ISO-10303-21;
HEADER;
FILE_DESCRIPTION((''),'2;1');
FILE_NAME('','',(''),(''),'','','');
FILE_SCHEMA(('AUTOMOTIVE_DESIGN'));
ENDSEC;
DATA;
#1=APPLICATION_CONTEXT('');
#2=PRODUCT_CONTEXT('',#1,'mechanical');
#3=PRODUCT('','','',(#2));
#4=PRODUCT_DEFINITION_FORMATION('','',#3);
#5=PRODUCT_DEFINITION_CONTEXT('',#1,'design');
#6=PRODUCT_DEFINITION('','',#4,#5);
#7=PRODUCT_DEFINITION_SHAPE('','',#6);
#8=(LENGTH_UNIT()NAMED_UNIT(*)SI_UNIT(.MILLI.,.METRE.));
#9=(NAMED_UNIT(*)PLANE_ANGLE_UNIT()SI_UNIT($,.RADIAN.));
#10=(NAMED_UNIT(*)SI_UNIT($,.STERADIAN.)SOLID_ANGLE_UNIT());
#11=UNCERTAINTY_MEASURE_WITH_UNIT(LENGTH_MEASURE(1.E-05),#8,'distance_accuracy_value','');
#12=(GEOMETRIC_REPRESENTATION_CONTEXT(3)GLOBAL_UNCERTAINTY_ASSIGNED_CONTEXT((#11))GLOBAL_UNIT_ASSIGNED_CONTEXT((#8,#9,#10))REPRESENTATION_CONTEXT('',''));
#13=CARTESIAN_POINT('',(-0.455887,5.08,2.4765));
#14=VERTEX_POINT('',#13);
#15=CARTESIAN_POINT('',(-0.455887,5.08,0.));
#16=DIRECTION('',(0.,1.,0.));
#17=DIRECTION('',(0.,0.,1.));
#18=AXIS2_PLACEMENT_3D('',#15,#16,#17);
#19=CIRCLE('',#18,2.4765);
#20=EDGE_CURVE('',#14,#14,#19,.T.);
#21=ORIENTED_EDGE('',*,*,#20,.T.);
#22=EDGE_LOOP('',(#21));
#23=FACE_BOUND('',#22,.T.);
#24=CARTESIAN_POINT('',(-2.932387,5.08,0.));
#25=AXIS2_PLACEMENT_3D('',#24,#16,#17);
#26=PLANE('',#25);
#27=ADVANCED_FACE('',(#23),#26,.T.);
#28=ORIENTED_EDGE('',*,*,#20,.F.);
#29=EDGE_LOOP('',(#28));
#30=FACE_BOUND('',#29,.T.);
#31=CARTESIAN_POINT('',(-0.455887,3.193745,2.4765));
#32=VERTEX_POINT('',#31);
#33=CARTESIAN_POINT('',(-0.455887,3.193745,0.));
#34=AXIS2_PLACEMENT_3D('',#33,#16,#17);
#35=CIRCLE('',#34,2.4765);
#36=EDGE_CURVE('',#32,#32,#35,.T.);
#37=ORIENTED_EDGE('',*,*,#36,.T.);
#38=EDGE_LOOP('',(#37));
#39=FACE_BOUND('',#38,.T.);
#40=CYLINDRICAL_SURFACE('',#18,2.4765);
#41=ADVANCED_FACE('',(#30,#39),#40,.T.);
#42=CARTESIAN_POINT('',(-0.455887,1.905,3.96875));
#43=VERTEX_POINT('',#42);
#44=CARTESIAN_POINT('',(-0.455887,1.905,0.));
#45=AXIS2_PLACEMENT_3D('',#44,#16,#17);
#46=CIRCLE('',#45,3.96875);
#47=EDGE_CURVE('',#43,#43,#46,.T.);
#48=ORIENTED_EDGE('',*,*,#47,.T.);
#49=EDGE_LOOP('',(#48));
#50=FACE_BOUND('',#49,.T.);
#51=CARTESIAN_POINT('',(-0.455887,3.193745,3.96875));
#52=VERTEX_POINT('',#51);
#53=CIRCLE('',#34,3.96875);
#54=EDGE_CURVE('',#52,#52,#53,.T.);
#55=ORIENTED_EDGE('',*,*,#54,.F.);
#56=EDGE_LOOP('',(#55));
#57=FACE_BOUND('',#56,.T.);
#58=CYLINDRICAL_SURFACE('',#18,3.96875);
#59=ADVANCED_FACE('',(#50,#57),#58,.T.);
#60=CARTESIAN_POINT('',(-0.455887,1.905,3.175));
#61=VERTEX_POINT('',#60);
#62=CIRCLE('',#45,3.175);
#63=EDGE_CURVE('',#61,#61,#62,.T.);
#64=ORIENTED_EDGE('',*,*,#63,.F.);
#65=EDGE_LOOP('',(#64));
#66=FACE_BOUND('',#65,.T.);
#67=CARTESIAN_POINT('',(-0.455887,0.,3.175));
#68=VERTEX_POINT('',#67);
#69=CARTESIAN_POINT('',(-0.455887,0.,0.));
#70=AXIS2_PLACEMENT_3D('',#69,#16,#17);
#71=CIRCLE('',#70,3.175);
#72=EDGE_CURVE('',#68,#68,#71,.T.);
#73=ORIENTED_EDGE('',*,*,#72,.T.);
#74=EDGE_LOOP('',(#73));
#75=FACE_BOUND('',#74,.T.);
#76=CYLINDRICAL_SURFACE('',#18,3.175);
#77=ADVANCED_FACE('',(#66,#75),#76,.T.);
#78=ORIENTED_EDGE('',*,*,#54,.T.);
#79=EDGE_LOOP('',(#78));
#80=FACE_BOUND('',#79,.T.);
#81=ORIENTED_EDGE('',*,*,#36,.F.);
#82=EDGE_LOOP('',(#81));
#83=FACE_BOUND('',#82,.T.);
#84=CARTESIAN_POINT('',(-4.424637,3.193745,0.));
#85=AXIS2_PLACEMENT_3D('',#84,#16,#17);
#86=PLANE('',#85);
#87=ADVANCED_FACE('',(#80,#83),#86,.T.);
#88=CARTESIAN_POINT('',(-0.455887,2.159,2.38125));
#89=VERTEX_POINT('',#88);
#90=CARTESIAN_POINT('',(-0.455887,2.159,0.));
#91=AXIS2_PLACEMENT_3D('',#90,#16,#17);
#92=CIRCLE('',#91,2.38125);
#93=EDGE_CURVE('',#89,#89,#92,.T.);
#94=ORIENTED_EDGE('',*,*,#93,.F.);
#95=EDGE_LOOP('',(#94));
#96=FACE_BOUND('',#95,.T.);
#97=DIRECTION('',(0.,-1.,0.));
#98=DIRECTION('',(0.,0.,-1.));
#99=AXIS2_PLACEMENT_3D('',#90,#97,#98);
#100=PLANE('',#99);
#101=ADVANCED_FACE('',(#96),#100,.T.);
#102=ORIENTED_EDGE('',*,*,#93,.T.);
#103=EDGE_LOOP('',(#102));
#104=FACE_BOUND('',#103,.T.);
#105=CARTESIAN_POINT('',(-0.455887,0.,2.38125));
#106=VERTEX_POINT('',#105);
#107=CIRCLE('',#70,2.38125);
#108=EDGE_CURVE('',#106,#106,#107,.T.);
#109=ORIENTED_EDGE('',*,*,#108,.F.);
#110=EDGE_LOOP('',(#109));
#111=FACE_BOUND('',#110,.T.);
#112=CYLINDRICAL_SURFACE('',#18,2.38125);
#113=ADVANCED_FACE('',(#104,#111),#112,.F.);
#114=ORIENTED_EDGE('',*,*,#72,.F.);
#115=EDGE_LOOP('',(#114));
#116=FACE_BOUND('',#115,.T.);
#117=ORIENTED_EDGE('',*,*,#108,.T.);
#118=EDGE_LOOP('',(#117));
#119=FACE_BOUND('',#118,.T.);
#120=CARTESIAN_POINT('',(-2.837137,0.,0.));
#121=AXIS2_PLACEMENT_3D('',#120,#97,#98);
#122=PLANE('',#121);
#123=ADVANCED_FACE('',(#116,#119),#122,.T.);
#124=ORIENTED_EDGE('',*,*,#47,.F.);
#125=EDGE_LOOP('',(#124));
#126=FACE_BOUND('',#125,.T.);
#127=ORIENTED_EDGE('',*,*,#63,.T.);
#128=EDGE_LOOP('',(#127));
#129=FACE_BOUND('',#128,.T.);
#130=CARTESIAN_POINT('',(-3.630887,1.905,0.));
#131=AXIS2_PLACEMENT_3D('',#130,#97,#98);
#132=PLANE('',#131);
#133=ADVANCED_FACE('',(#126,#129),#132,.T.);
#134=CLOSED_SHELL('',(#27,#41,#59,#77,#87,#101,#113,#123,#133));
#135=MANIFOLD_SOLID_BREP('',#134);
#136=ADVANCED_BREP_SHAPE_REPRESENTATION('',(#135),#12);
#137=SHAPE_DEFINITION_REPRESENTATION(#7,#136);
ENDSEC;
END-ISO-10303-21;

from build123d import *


with BuildPart() as part:
    # Sketch1 → Revolve1 (revolve)
    with BuildSketch(Plane.XY):
        Polygon((-0.455886696, 2.159), (-2.837136696, 2.159), (-2.837136696, 0), (-3.630886696, 0), (-3.630886696, 1.905), (-4.424636696, 1.905), (-4.424636696, 3.193744783), (-2.932386696, 3.193744783), (-2.932386696, 5.08), (-0.455886696, 5.08), align=None)
    revolve(axis=Axis((-0.455886696, 5.08, 0), (0, -1, 0)))


solid = part.part
